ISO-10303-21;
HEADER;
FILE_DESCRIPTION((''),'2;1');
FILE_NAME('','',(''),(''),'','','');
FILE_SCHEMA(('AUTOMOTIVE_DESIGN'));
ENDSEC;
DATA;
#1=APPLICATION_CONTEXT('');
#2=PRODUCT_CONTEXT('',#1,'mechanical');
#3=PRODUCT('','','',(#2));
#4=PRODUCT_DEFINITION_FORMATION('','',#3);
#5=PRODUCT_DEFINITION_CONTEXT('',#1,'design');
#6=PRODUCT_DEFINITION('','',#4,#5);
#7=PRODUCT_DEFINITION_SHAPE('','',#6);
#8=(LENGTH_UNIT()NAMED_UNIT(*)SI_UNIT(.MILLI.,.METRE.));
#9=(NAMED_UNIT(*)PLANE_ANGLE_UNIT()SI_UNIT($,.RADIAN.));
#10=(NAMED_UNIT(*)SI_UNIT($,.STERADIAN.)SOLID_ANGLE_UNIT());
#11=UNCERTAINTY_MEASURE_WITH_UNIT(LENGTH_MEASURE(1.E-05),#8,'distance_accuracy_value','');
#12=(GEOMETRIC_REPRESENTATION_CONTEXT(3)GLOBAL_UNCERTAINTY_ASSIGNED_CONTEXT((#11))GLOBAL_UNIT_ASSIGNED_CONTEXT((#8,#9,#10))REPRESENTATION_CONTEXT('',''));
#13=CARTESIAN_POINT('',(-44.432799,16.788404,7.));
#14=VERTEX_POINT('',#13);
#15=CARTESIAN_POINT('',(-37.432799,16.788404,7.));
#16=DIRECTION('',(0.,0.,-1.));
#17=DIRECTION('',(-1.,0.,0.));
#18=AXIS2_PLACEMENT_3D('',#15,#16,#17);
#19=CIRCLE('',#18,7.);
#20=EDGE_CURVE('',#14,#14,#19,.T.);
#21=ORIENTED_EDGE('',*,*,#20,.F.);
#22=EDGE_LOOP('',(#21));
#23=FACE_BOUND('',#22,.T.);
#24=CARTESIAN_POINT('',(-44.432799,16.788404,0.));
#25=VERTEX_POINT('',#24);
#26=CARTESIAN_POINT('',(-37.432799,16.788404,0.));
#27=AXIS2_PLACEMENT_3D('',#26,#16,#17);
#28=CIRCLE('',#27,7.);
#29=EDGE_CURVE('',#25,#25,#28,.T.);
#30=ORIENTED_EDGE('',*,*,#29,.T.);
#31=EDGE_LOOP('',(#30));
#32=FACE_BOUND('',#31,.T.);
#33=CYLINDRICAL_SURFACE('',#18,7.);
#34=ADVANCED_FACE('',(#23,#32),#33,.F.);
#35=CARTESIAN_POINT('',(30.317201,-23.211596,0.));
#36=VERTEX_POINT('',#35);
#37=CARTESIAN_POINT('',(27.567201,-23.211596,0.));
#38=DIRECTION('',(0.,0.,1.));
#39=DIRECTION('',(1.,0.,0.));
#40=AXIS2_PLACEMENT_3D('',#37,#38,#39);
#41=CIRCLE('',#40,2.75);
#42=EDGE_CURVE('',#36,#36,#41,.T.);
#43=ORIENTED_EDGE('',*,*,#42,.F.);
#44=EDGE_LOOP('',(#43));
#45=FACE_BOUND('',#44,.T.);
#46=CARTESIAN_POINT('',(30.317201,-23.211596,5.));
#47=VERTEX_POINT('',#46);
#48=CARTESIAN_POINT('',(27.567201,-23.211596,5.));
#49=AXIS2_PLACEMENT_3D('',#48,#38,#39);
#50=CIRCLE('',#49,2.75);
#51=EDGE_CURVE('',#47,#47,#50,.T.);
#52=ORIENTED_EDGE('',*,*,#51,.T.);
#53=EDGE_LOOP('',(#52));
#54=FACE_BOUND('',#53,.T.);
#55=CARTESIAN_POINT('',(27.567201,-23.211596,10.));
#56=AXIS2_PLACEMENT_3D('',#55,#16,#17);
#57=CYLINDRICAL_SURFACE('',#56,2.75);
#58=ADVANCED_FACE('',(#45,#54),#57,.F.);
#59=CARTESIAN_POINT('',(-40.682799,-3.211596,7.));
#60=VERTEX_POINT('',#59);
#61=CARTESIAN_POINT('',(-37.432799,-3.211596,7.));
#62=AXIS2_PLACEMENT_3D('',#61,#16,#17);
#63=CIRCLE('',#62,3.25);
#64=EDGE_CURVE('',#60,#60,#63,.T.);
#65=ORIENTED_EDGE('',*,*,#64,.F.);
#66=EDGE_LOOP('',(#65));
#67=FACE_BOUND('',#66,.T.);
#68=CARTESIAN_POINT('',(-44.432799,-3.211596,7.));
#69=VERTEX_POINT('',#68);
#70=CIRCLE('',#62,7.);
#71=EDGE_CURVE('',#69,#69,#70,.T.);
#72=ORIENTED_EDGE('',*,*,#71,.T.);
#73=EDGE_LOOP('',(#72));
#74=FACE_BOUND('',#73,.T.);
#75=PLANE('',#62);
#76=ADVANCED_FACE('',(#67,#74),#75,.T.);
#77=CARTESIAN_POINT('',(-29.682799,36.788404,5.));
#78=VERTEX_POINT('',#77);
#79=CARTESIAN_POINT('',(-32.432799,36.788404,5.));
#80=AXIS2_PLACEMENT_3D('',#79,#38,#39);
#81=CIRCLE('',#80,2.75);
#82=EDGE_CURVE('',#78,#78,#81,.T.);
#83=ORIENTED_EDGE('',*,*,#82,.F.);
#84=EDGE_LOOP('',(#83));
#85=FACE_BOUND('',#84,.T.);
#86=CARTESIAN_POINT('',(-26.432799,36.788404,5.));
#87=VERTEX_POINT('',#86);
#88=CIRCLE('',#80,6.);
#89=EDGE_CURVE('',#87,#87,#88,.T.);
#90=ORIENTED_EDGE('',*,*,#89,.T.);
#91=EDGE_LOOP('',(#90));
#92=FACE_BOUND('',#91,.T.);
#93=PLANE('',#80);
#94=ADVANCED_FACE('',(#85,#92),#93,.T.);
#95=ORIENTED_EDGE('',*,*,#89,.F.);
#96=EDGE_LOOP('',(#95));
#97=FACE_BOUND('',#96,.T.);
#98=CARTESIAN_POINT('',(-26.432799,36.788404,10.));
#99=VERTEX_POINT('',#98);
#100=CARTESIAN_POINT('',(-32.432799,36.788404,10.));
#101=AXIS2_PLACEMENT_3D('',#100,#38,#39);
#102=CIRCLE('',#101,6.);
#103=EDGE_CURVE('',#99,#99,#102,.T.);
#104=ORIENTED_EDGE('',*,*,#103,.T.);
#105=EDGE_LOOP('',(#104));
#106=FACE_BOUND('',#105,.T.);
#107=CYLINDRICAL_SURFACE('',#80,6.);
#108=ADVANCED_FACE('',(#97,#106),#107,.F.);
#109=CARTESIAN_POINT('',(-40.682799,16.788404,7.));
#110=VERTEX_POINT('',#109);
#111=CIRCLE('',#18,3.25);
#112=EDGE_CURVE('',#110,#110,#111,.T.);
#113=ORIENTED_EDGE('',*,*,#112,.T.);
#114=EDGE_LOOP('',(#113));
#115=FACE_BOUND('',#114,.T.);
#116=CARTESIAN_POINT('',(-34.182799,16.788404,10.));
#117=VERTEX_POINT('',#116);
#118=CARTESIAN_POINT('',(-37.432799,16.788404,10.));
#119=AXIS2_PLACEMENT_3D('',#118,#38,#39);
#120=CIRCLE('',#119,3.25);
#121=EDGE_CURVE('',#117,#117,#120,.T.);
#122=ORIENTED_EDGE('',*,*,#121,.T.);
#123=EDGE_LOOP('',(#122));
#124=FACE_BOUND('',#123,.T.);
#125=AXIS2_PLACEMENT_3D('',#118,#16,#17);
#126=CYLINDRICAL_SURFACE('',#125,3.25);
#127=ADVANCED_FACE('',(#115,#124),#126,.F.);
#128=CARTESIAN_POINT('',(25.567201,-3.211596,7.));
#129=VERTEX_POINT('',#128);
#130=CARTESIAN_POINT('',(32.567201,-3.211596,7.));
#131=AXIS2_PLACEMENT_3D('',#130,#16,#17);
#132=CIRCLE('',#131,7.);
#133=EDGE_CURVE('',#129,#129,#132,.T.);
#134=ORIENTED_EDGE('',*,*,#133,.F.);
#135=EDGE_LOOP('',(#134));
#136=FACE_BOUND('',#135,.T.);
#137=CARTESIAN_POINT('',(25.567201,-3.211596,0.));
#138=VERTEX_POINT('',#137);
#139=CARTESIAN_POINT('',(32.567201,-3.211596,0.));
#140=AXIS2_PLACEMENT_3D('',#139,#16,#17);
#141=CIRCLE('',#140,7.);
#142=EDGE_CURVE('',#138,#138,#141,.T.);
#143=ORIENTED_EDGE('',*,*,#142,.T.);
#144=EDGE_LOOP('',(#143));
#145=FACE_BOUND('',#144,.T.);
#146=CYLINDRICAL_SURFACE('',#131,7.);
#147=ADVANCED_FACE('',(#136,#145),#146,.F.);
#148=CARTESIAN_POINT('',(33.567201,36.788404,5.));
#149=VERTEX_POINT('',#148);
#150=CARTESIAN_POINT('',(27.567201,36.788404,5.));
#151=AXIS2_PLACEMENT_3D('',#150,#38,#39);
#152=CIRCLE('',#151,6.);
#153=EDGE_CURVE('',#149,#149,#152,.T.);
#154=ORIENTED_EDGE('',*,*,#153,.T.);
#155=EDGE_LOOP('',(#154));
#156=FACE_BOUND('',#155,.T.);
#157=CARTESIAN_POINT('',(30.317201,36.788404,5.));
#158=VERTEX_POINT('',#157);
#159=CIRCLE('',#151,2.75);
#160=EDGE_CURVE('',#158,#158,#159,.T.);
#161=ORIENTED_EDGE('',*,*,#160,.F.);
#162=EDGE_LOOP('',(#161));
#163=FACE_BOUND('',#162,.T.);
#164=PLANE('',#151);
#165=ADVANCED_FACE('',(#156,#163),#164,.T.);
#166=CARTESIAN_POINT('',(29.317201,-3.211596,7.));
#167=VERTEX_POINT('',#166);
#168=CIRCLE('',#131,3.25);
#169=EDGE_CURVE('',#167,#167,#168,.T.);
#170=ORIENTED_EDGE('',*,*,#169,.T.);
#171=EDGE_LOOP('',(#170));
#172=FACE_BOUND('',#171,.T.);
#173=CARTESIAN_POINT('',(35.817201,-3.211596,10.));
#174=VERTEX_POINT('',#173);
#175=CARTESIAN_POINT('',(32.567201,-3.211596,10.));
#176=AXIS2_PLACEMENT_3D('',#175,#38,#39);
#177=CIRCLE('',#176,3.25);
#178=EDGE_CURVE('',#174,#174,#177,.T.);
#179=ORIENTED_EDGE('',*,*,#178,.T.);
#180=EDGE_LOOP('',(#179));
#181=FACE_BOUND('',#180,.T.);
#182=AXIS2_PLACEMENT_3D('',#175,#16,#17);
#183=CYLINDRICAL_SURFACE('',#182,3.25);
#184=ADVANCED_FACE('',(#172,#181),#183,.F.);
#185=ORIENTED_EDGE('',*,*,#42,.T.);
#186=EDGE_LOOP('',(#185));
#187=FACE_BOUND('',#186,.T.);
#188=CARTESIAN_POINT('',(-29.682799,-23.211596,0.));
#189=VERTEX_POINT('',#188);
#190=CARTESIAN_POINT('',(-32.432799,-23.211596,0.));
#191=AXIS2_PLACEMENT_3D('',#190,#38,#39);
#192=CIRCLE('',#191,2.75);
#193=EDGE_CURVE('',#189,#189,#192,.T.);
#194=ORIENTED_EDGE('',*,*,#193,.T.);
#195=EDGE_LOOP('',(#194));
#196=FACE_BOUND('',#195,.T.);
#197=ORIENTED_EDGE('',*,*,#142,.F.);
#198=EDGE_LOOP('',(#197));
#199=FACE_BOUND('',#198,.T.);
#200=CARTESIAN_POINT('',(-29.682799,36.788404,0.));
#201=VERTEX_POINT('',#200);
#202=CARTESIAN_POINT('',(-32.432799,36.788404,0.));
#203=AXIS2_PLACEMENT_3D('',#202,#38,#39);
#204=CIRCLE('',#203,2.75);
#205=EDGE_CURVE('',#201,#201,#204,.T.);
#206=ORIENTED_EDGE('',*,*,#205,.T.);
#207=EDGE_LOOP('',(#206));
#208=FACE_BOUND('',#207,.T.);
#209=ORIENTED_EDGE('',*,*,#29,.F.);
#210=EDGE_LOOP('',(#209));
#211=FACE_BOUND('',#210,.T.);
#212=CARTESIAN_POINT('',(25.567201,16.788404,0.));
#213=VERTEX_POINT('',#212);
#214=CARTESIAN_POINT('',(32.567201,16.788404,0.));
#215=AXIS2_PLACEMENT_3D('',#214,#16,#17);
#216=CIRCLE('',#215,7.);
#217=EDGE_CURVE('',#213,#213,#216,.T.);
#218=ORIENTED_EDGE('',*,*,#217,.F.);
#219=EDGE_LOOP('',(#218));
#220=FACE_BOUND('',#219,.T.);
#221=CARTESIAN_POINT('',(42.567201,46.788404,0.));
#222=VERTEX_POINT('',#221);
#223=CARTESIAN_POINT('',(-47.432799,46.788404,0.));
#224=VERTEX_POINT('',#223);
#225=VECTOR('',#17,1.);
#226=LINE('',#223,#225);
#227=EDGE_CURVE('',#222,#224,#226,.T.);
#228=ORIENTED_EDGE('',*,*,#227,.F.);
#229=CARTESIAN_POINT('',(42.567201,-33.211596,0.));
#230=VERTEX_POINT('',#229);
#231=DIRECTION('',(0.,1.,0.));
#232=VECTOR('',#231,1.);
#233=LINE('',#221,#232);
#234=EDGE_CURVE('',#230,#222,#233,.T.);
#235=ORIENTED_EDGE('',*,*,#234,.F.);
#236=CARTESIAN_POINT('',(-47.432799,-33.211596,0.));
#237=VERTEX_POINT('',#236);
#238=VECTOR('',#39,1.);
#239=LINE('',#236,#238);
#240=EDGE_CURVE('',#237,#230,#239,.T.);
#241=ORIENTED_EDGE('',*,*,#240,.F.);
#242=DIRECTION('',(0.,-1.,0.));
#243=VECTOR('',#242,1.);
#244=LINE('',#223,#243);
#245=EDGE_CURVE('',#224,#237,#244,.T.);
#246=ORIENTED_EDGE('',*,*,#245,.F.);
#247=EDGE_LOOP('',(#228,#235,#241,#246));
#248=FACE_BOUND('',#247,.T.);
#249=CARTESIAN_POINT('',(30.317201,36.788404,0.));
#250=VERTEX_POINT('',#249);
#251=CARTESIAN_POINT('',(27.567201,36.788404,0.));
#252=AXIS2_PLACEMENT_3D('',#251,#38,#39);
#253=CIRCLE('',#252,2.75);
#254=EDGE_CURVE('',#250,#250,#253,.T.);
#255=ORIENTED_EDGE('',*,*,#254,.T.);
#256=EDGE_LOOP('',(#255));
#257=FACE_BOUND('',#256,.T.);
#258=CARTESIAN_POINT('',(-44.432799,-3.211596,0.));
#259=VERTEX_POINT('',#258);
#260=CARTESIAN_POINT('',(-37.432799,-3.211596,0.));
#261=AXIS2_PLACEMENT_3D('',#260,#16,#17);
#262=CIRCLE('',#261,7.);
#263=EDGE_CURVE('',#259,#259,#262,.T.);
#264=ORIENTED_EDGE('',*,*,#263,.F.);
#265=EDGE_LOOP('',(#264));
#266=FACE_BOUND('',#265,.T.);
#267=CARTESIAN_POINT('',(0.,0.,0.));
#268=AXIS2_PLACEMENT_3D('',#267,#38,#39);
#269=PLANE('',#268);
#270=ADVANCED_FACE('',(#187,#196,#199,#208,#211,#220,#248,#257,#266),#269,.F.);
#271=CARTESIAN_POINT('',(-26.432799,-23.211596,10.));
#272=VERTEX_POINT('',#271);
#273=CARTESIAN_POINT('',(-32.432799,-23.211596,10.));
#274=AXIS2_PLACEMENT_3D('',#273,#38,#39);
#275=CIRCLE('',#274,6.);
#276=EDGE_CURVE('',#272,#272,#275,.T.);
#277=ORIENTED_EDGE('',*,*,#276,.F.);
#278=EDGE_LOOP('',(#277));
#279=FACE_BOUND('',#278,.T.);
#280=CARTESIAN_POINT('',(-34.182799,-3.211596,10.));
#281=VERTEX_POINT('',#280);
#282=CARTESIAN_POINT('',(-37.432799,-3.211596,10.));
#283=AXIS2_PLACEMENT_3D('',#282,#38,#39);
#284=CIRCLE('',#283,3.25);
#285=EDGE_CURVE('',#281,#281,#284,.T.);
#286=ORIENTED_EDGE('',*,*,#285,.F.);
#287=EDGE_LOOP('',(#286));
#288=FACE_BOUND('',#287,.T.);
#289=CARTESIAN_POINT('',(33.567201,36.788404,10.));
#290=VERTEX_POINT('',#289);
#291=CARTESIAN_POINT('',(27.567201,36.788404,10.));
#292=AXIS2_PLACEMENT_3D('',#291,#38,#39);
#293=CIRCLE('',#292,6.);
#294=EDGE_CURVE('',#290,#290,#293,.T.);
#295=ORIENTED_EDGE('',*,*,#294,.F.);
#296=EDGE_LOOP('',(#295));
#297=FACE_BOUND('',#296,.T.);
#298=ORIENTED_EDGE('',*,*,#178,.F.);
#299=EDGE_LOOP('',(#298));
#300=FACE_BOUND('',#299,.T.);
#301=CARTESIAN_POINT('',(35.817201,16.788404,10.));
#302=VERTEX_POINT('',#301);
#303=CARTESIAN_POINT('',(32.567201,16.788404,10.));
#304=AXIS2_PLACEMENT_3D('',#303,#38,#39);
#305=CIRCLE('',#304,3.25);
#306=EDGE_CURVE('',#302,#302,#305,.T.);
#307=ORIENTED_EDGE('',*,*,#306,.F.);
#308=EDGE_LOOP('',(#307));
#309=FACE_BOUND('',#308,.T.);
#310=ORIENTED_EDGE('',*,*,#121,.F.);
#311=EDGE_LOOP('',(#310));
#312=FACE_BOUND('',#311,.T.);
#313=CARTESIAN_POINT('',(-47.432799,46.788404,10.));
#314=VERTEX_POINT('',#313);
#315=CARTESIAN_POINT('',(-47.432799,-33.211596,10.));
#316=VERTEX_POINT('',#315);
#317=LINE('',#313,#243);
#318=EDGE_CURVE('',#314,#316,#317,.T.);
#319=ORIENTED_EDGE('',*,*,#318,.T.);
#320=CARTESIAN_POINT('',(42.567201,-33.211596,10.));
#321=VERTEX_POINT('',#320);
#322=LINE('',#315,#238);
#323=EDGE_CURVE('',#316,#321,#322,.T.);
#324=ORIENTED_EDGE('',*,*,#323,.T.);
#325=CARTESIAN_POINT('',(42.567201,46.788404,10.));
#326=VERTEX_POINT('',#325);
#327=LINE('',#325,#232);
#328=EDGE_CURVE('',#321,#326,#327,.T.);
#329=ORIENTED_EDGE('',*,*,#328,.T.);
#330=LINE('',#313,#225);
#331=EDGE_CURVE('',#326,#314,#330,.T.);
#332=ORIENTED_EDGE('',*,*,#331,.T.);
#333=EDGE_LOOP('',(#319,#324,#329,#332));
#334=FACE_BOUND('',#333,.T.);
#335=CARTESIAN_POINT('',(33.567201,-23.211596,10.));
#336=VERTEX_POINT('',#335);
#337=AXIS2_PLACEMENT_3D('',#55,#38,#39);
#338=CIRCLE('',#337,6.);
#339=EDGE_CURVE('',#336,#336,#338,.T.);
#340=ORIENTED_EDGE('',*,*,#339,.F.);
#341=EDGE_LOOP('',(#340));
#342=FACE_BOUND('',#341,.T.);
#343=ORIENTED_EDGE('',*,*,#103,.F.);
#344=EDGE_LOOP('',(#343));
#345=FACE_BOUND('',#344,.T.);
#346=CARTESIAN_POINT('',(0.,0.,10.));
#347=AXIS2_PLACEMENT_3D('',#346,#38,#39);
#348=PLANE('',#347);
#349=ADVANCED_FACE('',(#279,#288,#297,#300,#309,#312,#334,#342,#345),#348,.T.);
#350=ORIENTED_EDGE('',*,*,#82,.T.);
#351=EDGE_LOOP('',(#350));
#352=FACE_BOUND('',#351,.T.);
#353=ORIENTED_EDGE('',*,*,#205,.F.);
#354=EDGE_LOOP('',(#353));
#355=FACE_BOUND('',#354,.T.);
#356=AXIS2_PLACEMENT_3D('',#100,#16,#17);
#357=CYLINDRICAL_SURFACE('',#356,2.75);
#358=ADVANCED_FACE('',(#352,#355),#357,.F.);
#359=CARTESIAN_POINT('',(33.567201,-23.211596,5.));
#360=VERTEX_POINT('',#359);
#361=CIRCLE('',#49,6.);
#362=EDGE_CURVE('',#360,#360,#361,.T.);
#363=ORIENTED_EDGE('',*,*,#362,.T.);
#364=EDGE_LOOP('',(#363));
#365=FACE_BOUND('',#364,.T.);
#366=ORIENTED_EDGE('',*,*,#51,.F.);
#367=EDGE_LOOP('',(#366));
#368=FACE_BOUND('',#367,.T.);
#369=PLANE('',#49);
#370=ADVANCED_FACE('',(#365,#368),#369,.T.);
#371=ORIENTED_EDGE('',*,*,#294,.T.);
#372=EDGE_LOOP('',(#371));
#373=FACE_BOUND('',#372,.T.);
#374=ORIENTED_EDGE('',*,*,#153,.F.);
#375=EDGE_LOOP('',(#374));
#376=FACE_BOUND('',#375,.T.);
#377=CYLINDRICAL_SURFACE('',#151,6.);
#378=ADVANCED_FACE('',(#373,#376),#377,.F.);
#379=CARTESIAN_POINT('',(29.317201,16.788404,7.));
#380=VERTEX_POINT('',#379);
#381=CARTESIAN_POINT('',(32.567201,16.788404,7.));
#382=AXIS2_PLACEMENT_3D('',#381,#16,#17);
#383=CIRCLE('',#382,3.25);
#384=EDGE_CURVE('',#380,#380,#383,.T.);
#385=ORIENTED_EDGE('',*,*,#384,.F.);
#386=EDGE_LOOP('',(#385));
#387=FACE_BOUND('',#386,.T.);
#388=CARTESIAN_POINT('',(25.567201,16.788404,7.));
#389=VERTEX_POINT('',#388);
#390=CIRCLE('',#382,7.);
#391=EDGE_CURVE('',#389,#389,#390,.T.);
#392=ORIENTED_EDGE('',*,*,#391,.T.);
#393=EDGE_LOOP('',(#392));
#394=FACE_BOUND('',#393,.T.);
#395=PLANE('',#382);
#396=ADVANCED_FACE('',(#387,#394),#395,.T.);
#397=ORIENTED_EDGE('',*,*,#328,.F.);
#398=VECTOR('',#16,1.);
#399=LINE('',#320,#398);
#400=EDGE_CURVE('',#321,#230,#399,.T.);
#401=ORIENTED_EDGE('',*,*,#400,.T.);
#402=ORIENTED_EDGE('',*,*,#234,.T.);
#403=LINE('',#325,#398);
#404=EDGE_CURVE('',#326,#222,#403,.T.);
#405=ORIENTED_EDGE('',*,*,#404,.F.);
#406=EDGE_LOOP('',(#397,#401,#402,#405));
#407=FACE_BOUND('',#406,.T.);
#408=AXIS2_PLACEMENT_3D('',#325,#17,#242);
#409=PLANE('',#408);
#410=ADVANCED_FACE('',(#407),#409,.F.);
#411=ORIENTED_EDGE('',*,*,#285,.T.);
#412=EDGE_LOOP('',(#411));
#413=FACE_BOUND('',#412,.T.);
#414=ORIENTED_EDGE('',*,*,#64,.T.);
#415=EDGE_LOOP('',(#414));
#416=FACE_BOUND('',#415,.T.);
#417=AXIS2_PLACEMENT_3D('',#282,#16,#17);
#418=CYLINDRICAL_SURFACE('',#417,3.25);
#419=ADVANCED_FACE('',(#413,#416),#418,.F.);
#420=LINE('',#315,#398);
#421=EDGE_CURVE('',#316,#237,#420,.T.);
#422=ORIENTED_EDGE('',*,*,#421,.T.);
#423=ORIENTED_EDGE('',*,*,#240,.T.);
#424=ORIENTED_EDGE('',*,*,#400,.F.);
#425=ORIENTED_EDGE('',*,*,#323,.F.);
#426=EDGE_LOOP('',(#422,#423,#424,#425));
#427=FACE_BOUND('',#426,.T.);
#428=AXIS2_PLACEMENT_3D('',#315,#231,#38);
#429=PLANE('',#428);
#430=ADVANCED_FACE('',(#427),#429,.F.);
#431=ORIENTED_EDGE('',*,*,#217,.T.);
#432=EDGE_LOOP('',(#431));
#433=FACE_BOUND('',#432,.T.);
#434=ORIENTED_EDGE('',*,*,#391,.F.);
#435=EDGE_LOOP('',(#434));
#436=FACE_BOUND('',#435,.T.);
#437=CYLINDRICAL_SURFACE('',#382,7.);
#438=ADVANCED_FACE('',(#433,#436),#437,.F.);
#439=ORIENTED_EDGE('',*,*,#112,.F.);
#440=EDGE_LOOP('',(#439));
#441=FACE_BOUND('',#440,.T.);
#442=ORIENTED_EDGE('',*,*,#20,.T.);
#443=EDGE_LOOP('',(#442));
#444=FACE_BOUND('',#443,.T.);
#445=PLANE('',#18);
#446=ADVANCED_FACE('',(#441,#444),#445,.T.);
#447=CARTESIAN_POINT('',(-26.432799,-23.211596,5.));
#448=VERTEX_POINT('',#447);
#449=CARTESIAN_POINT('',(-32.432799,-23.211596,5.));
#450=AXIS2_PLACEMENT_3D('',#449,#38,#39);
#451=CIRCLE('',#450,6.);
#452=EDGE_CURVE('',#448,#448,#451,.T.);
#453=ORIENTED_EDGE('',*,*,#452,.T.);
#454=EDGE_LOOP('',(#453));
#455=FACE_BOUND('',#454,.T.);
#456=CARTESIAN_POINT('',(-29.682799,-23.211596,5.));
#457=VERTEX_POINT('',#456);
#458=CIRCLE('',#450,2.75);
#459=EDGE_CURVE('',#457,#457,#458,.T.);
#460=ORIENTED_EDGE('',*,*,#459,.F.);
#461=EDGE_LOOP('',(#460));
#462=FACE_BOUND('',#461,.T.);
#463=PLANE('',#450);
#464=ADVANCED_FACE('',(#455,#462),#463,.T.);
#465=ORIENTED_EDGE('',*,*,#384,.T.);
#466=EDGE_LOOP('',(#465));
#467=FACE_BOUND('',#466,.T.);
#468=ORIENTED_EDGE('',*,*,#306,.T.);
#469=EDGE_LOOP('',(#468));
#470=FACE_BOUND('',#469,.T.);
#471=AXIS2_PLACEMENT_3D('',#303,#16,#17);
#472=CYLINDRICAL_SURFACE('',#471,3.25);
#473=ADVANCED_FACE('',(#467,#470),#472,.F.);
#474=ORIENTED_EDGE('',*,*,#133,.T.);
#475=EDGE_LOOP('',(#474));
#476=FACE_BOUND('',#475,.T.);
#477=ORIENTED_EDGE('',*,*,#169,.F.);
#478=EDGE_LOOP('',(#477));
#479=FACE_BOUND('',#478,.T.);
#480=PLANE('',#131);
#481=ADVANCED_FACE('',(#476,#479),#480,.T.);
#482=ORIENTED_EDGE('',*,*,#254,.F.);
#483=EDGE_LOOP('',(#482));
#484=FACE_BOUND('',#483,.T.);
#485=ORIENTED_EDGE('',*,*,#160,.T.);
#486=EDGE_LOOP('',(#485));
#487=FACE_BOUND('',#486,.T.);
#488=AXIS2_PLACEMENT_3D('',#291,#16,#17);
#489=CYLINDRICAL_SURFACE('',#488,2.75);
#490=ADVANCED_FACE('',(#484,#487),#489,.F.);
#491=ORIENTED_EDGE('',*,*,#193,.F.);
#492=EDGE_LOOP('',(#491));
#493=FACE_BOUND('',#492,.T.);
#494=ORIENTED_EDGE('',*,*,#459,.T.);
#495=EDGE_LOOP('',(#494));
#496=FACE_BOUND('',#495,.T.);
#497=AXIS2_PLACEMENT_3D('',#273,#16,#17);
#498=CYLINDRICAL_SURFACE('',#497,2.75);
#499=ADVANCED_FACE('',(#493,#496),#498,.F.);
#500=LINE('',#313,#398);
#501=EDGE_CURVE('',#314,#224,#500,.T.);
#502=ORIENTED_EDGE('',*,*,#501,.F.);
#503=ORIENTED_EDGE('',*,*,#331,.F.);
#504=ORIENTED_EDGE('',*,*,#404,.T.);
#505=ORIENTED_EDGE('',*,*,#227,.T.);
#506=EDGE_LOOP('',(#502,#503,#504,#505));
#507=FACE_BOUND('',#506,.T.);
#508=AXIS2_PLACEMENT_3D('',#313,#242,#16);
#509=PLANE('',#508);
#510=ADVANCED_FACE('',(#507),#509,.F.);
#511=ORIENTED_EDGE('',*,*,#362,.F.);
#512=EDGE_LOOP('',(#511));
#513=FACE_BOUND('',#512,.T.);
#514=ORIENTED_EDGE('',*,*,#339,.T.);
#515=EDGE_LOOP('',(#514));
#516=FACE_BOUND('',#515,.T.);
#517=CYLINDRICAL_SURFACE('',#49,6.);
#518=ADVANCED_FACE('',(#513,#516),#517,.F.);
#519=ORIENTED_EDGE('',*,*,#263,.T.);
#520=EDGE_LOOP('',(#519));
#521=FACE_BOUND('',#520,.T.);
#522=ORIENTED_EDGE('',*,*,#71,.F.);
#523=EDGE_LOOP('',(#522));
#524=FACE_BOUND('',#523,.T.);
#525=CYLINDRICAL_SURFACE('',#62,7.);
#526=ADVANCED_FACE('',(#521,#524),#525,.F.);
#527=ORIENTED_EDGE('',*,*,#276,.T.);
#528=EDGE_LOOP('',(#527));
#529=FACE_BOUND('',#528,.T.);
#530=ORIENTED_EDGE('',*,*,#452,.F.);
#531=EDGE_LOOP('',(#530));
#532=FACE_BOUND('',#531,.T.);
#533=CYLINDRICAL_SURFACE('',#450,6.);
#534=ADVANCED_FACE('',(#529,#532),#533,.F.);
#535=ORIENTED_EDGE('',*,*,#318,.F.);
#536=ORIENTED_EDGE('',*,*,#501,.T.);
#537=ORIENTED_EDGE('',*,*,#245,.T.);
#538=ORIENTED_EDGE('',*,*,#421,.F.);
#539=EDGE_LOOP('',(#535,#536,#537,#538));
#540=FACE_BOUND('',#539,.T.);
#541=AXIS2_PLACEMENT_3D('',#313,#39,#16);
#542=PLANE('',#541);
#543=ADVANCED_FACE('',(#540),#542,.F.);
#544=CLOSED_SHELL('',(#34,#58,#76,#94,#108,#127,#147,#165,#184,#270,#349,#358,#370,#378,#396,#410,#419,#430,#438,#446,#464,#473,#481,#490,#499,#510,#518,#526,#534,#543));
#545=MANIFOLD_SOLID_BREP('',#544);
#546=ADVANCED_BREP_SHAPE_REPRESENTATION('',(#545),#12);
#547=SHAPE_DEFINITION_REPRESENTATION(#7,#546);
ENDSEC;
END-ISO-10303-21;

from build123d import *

# Parameters (mm, degrees)
ESQUISSE1_W             = 90
ESQUISSE1_H             = 80
ESQUISSE1_R             = 2.75
ESQUISSE1_R_2           = 3.25
BOSS_EXTRU_1_DEPTH      = 10
ESQUISSE2_R             = 6
ENL_V_MAT_EXTRU_1_DEPTH = 5
ESQUISSE4_R             = 7
ENL_V_MAT_EXTRU_2_DEPTH = 7


with BuildPart() as part:
    # Esquisse1 → Boss.-Extru.1 (new body)
    with BuildSketch(Plane.XY):
        with Locations((-2.432799292, 6.788403994)):
            Rectangle(ESQUISSE1_W, ESQUISSE1_H)
        with Locations((-32.432799292, 36.788403994)):
            Circle(ESQUISSE1_R, mode=Mode.SUBTRACT)
        with Locations((27.567200708, 36.788403994)):
            Circle(ESQUISSE1_R, mode=Mode.SUBTRACT)
        with Locations((27.567200708, -23.211596006)):
            Circle(ESQUISSE1_R, mode=Mode.SUBTRACT)
        with Locations((-32.432799292, -23.211596006)):
            Circle(ESQUISSE1_R, mode=Mode.SUBTRACT)
        with Locations((-37.432799292, 16.788403994)):
            Circle(ESQUISSE1_R_2, mode=Mode.SUBTRACT)
        with Locations((-37.432799292, -3.211596006)):
            Circle(ESQUISSE1_R_2, mode=Mode.SUBTRACT)
        with Locations((32.567200708, 16.788403994)):
            Circle(ESQUISSE1_R_2, mode=Mode.SUBTRACT)
        with Locations((32.567200708, -3.211596006)):
            Circle(ESQUISSE1_R_2, mode=Mode.SUBTRACT)
    extrude(amount=BOSS_EXTRU_1_DEPTH)

    # Esquisse2 → Enlèv. mat.-Extru.1 (cut)
    with BuildSketch(Plane.XY.offset(10)):
        with Locations((-32.432799292, 36.788403994)):
            Circle(ESQUISSE2_R)
        with Locations((27.567200708, 36.788403994)):
            Circle(ESQUISSE2_R)
        with Locations((27.567200708, -23.211596006)):
            Circle(ESQUISSE2_R)
        with Locations((-32.432799292, -23.211596006)):
            Circle(ESQUISSE2_R)
    extrude(amount=-ENL_V_MAT_EXTRU_1_DEPTH, mode=Mode.SUBTRACT)

    # Esquisse4 → Enlèv. mat.-Extru.2 (cut)
    with BuildSketch(Plane(origin=(0, 0, 0), x_dir=(-1, 0, 0), z_dir=(0, 0, -1))):
        with Locations((-32.567200708, 16.788403994)):
            Circle(ESQUISSE4_R)
        with Locations((37.432799292, 16.788403994)):
            Circle(ESQUISSE4_R)
        with Locations((37.432799292, -3.211596006)):
            Circle(ESQUISSE4_R)
        with Locations((-32.567200708, -3.211596006)):
            Circle(ESQUISSE4_R)
    extrude(amount=-ENL_V_MAT_EXTRU_2_DEPTH, mode=Mode.SUBTRACT)


solid = part.part
